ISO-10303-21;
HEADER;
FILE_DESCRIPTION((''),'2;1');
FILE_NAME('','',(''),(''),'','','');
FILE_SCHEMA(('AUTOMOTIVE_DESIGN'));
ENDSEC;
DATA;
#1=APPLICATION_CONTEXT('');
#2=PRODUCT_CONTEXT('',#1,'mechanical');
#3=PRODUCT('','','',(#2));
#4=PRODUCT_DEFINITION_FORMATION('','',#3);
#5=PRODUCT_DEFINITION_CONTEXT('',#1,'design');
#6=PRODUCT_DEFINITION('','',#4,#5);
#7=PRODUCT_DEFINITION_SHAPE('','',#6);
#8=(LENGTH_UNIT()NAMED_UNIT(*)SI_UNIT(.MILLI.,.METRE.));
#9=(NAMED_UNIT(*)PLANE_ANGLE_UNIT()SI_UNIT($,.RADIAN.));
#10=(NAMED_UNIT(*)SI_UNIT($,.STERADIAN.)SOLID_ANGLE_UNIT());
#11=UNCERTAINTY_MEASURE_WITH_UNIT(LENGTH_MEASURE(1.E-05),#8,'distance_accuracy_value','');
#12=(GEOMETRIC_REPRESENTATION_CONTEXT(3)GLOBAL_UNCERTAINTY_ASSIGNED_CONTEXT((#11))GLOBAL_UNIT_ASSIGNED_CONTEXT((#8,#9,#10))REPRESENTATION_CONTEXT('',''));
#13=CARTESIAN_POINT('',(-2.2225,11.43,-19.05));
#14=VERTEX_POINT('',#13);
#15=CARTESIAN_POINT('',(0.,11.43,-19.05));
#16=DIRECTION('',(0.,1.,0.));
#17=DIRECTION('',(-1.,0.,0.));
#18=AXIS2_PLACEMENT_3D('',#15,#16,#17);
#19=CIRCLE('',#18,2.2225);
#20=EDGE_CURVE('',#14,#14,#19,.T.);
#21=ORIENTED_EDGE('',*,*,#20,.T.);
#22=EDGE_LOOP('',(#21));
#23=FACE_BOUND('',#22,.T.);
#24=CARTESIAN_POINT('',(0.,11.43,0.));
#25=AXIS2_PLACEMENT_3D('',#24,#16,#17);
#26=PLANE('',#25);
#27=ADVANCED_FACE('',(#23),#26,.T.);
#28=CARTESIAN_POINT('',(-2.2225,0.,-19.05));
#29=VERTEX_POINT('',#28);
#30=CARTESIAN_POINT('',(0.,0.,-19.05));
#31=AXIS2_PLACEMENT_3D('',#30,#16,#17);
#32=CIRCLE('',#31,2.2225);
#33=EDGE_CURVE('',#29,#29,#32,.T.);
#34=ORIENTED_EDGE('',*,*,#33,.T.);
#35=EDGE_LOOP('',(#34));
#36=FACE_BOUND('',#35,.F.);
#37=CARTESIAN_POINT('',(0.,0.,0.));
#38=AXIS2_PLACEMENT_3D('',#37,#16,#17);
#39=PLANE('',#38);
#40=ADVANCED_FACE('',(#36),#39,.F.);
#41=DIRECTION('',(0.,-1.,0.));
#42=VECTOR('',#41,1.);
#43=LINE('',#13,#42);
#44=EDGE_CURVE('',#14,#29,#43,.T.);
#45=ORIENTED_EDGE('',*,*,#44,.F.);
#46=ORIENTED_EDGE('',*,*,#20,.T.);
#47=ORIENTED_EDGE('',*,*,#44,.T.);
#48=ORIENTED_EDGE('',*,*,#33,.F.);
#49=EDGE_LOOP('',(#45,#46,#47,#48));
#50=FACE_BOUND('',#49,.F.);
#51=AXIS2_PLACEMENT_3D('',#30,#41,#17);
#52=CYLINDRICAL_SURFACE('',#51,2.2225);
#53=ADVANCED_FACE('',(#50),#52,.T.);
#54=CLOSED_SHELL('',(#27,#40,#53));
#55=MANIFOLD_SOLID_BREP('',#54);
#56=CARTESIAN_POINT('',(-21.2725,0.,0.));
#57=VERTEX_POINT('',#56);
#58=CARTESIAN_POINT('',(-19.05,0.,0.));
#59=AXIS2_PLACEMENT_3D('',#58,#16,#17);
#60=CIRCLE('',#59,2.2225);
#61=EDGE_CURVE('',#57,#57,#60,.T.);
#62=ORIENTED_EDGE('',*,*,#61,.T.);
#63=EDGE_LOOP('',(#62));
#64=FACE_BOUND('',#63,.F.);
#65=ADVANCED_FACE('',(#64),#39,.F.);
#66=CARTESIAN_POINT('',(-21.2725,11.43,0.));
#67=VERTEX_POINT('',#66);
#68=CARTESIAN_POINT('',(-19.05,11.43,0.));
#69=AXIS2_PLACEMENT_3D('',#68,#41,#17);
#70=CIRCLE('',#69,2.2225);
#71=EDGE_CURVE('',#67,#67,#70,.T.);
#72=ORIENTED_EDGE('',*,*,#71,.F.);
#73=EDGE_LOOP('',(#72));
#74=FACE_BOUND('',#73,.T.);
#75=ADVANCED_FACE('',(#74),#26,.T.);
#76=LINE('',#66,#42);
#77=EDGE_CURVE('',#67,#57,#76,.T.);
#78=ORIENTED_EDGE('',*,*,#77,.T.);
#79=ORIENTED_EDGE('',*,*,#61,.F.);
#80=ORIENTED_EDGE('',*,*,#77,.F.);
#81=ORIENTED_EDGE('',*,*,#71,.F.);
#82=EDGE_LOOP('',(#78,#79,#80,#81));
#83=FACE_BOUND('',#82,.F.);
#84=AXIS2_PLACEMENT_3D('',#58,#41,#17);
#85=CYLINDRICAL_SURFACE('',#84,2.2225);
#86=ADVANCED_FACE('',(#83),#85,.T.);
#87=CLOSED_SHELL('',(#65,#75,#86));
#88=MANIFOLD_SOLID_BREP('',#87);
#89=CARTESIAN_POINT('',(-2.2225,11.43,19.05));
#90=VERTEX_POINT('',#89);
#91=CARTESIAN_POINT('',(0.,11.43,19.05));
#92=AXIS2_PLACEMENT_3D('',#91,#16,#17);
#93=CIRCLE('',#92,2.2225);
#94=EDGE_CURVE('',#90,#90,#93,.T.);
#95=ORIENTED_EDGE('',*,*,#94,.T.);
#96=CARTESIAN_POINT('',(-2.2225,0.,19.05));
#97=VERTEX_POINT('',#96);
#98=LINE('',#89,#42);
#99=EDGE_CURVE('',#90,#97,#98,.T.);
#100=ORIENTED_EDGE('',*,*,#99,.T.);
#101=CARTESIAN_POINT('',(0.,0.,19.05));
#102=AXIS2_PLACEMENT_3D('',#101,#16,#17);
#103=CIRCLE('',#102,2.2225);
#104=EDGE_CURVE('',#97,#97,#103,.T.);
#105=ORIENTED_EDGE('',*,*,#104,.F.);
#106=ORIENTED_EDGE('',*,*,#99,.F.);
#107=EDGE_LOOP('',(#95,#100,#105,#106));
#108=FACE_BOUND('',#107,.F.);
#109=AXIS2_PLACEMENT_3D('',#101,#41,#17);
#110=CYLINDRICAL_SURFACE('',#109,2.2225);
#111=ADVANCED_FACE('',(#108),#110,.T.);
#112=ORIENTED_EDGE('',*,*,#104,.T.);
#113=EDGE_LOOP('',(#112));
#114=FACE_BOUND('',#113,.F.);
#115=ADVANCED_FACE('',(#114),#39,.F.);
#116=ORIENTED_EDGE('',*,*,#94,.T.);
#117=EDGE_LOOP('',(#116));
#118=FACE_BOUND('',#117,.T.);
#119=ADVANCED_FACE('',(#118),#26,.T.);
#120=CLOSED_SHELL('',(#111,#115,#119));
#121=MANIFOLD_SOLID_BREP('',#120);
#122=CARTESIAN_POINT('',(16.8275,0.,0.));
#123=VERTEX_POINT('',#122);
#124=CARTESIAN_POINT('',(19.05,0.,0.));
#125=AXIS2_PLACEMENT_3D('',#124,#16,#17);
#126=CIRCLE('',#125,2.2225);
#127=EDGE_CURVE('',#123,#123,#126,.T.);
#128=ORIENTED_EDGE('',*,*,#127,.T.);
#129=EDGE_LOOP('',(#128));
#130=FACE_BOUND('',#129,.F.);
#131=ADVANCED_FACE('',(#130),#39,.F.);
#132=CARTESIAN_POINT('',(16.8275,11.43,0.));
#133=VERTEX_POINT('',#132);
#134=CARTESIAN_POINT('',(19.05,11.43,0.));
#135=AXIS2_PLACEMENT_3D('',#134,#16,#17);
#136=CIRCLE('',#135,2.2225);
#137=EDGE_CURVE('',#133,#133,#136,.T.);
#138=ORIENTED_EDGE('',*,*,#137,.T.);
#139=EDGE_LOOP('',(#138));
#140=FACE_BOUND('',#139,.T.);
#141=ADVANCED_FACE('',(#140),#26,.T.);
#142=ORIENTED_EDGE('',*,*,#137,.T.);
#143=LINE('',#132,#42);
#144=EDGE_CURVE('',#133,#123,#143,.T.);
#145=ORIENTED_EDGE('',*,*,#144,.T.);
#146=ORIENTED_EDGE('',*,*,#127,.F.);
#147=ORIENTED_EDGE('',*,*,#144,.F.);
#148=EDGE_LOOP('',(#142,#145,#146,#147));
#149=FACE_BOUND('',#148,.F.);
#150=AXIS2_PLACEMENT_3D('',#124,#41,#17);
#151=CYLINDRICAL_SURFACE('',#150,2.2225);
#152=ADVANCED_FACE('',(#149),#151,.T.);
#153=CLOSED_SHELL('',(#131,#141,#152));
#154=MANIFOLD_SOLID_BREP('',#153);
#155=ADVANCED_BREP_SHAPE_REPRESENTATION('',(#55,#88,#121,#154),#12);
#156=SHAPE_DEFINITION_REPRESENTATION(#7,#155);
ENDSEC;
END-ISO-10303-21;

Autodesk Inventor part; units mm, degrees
ref_plane "YZ Plane" through (0, 0, 0) normal (1, 0, 0) x (0, 1, 0)
ref_plane "XZ Plane" through (0, 0, 0) normal (0, 1, 0) x (-1, 0, 0)
sketch "Sketch1" plane through (0, 0, 0) normal (0, 1, 0) x (-1, 0, 0)
  circle A0 centre (0, 19.05) radius 2.2225
  circle A1 centre (-19.05, 0) radius 2.2225
  circle A2 centre (0, -19.05) radius 2.2225
  circle A3 centre (19.05, 0) radius 2.2225
  line L0 (0.635, 24.639) -> (-0.635, 24.639)
  line L1 (-0.635, -24.0273) -> (0.635, -24.0273)
  line L2 (0, 0) -> (0, 2.5439)
  line L3 (-24.0273, -0.635) -> (-24.0273, 0.635)
  line L4 (3.81, -20.8523) -> (3.81, -16.51)
  line L5 (3.81, 16.51) -> (3.81, 21.464)
  line L6 (-20.8523, 3.81) -> (-16.51, 3.81)
  line L7 (16.51, 3.81) -> (19.812, 3.81)
  line L8 (-3.81, 21.464) -> (-3.81, 16.51)
  line L9 (-3.81, -16.51) -> (-3.81, -20.8523)
  line L10 (19.812, -3.81) -> (16.51, -3.81)
  line L11 (-16.51, -3.81) -> (-20.8523, -3.81)
  arc A4 (3.81, 16.51) -> (16.51, 3.81) centre (16.51, 16.51) ccw
  arc A5 (16.51, -3.81) -> (3.81, -16.51) centre (16.51, -16.51) ccw
  arc A6 (-16.51, 3.81) -> (-3.81, 16.51) centre (-16.51, 16.51) ccw
  arc A7 (-3.81, -16.51) -> (-16.51, -3.81) centre (-16.51, -16.51) ccw
  line L12 (0, -3.81) -> (0, 0)
  line L13 (0, 3.81) -> (0, 0)
  line L14 (3.81, -20.8523) -> (3.81, -16.51)
  line L15 (16.51, 3.81) -> (19.812, 3.81)
  line L16 (21.2725, 0) -> (16.8275, 0)
  line L17 (19.812, 3.81) -> (16.51, 3.81)
  line L18 (19.812, -3.81) -> (16.51, -3.81)
  line L19 (0, -3.81) -> (0.635, -3.81)
  line L20 (16.51, -3.81) -> (19.812, -3.81)
  line L21 (-20.8523, -3.81) -> (-16.51, -3.81)
  line L22 (-3.81, -16.51) -> (-3.81, -20.8523)
  line L23 (0.635, -24.0273) -> (-0.635, -24.0273)
  line L24 (-3.81, -20.8523) -> (-3.81, -16.51)
  line L25 (0, 0) -> (0.635, 0)
  line L26 (-24.0273, 0.635) -> (-24.0273, -0.635)
  line L27 (-0.635, 24.639) -> (0.635, 24.639)
  line L28 (0.635, 0) -> (0, 0)
  line L29 (-3.81, 16.51) -> (-3.81, 21.464)
  line L30 (22.987, -0.635) -> (22.987, 0.635)
  arc A8 (0.635, 34.5382) -> (0, 34.544) centre (0, 0) ccw
  arc A9 (-24.0273, 24.8189) -> (-24.2117, 24.639) centre (0, 0) ccw
  line L31 (-20.8523, 3.81) -> (-16.51, 3.81)
  line L32 (-3.81, 29.464) -> (-3.81, 29.2166)
  line L33 (-3.81, 21.464) -> (-3.81, 16.51)
  line L34 (3.81, 29.464) -> (3.81, 29.2166)
  line L35 (3.81, 21.464) -> (3.81, 16.51)
  line L36 (3.81, 21.464) -> (3.81, 16.51)
  line L37 (19.812, 3.81) -> (16.51, 3.81)
  line L38 (16.51, -3.81) -> (19.812, -3.81)
  line L39 (3.81, -16.51) -> (3.81, -20.8523)
  line L40 (-20.8523, -3.81) -> (-16.51, -3.81)
  line L41 (0, -3.81) -> (0.635, -3.81)
  line L42 (0.635, 3.81) -> (0, 3.81)
  line L43 (-16.51, 3.81) -> (-20.8523, 3.81)
  arc A10 (19.812, -3.81) -> (22.987, -0.635) centre (19.812, -0.635) ccw
  arc A11 (22.987, 0.635) -> (19.812, 3.81) centre (19.812, 0.635) ccw
  arc A12 (3.81, 21.464) -> (0.635, 24.639) centre (0.635, 21.464) ccw
  arc A13 (-0.635, 24.639) -> (-3.81, 21.464) centre (-0.635, 21.464) ccw
  arc A14 (-20.8523, 3.81) -> (-24.0273, 0.635) centre (-20.8523, 0.635) ccw
  arc A15 (-24.0273, -0.635) -> (-20.8523, -3.81) centre (-20.8523, -0.635) ccw
  arc A16 (0.635, -24.0273) -> (3.81, -20.8523) centre (0.635, -20.8523) ccw
  arc A17 (-3.81, -20.8523) -> (-0.635, -24.0273) centre (-0.635, -20.8523) ccw
  point P0 (19.05, 0)
  point P1 (0, -19.05)
  point P2 (0, -29.464)
  point P3 (-3.81, -29.2166)
  dimension "d3" = 360
  dimension "d5" = 4.445
  dimension "d8" = 360
  dimension "d29" = 3.175
extrude "Extrusion4" add sketch "Sketch1" along normal blind 11.43 contours A0 | A1 | A2 | L16 A3 | A3 L16
ref_plane "Work Plane2" through (0, 5.08, 0) normal (0, 1, 0) x (1, 0, 0)
sketch "Sketch2" plane through (0, 5.08, 0) normal (0, 1, 0) x (1, 0, 0)
  circle A0 centre (0, 0) radius 2.8575
  dimension "d26" = 5.715
extrude "Extrusion5" cut sketch "Sketch2" against normal blind 11.43
extrude "Extrusion6" cut sketch "Sketch1" along normal blind 5.08
extrude "Extrusion7" cut sketch "Sketch1" along normal blind 5.08
properties part number "planetaryGearMt"
